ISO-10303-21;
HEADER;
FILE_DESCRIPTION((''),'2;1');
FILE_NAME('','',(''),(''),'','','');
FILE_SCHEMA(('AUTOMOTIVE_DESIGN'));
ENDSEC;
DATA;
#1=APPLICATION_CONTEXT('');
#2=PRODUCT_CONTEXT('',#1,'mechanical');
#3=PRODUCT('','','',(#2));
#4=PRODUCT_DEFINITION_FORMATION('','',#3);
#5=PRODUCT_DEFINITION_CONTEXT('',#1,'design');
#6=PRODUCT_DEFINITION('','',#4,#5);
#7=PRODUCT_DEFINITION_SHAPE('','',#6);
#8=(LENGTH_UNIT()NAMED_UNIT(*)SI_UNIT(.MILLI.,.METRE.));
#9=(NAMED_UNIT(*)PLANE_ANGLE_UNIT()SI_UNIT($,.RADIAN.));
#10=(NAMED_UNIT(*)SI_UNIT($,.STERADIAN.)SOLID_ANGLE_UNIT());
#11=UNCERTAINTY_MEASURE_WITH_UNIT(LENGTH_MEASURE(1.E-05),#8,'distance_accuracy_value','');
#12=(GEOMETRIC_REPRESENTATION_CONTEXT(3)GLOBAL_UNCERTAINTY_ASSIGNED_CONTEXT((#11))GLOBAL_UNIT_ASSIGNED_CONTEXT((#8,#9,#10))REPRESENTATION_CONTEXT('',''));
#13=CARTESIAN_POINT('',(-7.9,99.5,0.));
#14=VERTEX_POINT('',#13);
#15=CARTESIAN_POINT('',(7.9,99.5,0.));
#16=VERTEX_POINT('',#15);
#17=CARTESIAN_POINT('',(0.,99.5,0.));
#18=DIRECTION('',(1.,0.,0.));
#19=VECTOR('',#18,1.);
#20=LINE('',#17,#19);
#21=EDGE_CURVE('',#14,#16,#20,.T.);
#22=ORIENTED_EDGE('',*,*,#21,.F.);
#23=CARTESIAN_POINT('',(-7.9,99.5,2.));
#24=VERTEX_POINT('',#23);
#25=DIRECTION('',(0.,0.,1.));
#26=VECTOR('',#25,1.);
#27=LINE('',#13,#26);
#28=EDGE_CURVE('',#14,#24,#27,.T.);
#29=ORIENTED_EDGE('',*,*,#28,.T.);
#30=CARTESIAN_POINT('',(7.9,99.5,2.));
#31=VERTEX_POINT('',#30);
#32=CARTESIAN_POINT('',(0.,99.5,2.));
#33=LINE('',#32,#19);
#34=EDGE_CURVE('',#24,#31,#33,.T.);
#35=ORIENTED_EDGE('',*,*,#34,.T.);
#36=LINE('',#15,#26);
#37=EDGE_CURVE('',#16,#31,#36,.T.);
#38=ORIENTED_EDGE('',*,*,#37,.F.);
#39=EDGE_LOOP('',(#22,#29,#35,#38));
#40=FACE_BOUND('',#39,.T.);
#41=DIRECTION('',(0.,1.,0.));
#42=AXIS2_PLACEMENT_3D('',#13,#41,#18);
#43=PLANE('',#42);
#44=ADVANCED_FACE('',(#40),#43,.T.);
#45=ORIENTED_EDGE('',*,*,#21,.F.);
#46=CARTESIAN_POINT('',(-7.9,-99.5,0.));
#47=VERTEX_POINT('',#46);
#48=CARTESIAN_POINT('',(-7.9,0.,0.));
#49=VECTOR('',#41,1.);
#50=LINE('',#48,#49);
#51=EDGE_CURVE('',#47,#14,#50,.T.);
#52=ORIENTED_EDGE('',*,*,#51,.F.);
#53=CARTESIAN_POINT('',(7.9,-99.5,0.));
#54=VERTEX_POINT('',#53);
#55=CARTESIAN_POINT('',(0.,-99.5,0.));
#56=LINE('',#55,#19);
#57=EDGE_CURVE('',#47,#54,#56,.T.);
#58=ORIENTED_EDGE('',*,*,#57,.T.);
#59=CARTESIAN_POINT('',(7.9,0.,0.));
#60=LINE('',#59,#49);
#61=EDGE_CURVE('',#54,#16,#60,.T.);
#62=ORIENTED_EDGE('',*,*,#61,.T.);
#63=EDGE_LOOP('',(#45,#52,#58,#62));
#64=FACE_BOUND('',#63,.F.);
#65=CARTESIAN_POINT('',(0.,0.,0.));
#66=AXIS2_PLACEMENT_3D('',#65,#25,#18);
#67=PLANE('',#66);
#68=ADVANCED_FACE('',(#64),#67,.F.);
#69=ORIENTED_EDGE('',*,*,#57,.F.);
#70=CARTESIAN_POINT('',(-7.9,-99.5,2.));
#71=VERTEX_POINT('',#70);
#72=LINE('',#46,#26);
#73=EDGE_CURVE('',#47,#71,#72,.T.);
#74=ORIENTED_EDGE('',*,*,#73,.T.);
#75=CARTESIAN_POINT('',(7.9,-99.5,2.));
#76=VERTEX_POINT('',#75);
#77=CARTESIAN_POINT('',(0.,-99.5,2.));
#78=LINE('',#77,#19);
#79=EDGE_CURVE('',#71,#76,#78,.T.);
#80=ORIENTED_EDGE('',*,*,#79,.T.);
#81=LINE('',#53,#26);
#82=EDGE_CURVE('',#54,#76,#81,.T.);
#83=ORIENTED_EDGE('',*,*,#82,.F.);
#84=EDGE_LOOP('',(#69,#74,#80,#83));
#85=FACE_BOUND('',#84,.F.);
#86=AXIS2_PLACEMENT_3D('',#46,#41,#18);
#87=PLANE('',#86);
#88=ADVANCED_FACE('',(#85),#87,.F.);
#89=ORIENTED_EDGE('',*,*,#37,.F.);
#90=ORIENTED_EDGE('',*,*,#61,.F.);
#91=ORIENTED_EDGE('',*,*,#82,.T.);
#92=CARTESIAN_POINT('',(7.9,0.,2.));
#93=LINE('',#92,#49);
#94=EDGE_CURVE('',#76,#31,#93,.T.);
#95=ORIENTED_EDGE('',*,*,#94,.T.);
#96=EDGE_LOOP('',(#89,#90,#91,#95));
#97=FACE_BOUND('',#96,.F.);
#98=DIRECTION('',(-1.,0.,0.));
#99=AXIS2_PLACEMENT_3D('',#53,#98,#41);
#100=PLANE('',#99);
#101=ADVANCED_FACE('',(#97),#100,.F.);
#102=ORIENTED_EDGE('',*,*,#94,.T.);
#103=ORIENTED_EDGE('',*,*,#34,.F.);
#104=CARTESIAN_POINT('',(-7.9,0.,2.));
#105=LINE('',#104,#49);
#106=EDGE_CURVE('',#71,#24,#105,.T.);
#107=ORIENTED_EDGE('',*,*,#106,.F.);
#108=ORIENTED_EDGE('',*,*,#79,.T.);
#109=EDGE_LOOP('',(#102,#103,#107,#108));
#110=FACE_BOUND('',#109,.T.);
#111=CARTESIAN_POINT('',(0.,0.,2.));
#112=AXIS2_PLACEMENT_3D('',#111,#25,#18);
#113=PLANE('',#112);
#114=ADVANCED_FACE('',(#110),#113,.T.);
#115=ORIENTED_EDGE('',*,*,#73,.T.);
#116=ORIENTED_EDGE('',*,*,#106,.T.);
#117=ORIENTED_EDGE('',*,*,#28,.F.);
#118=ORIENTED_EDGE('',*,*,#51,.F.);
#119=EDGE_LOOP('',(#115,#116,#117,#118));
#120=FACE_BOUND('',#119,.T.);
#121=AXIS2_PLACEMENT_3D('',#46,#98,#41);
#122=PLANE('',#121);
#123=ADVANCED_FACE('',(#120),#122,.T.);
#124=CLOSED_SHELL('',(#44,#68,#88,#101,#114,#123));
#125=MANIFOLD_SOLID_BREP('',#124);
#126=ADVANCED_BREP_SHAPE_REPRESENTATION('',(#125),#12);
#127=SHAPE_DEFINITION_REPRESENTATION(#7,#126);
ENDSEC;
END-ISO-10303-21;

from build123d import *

# Parameters (mm, degrees)
SKETCH_W  = 15.8
SKETCH_H  = 199
PAD_DEPTH = 2


with BuildPart() as part:
    # Sketch → Pad (new body)
    with BuildSketch(Plane.XY):
        Rectangle(SKETCH_W, SKETCH_H)
    extrude(amount=PAD_DEPTH)


solid = part.part
